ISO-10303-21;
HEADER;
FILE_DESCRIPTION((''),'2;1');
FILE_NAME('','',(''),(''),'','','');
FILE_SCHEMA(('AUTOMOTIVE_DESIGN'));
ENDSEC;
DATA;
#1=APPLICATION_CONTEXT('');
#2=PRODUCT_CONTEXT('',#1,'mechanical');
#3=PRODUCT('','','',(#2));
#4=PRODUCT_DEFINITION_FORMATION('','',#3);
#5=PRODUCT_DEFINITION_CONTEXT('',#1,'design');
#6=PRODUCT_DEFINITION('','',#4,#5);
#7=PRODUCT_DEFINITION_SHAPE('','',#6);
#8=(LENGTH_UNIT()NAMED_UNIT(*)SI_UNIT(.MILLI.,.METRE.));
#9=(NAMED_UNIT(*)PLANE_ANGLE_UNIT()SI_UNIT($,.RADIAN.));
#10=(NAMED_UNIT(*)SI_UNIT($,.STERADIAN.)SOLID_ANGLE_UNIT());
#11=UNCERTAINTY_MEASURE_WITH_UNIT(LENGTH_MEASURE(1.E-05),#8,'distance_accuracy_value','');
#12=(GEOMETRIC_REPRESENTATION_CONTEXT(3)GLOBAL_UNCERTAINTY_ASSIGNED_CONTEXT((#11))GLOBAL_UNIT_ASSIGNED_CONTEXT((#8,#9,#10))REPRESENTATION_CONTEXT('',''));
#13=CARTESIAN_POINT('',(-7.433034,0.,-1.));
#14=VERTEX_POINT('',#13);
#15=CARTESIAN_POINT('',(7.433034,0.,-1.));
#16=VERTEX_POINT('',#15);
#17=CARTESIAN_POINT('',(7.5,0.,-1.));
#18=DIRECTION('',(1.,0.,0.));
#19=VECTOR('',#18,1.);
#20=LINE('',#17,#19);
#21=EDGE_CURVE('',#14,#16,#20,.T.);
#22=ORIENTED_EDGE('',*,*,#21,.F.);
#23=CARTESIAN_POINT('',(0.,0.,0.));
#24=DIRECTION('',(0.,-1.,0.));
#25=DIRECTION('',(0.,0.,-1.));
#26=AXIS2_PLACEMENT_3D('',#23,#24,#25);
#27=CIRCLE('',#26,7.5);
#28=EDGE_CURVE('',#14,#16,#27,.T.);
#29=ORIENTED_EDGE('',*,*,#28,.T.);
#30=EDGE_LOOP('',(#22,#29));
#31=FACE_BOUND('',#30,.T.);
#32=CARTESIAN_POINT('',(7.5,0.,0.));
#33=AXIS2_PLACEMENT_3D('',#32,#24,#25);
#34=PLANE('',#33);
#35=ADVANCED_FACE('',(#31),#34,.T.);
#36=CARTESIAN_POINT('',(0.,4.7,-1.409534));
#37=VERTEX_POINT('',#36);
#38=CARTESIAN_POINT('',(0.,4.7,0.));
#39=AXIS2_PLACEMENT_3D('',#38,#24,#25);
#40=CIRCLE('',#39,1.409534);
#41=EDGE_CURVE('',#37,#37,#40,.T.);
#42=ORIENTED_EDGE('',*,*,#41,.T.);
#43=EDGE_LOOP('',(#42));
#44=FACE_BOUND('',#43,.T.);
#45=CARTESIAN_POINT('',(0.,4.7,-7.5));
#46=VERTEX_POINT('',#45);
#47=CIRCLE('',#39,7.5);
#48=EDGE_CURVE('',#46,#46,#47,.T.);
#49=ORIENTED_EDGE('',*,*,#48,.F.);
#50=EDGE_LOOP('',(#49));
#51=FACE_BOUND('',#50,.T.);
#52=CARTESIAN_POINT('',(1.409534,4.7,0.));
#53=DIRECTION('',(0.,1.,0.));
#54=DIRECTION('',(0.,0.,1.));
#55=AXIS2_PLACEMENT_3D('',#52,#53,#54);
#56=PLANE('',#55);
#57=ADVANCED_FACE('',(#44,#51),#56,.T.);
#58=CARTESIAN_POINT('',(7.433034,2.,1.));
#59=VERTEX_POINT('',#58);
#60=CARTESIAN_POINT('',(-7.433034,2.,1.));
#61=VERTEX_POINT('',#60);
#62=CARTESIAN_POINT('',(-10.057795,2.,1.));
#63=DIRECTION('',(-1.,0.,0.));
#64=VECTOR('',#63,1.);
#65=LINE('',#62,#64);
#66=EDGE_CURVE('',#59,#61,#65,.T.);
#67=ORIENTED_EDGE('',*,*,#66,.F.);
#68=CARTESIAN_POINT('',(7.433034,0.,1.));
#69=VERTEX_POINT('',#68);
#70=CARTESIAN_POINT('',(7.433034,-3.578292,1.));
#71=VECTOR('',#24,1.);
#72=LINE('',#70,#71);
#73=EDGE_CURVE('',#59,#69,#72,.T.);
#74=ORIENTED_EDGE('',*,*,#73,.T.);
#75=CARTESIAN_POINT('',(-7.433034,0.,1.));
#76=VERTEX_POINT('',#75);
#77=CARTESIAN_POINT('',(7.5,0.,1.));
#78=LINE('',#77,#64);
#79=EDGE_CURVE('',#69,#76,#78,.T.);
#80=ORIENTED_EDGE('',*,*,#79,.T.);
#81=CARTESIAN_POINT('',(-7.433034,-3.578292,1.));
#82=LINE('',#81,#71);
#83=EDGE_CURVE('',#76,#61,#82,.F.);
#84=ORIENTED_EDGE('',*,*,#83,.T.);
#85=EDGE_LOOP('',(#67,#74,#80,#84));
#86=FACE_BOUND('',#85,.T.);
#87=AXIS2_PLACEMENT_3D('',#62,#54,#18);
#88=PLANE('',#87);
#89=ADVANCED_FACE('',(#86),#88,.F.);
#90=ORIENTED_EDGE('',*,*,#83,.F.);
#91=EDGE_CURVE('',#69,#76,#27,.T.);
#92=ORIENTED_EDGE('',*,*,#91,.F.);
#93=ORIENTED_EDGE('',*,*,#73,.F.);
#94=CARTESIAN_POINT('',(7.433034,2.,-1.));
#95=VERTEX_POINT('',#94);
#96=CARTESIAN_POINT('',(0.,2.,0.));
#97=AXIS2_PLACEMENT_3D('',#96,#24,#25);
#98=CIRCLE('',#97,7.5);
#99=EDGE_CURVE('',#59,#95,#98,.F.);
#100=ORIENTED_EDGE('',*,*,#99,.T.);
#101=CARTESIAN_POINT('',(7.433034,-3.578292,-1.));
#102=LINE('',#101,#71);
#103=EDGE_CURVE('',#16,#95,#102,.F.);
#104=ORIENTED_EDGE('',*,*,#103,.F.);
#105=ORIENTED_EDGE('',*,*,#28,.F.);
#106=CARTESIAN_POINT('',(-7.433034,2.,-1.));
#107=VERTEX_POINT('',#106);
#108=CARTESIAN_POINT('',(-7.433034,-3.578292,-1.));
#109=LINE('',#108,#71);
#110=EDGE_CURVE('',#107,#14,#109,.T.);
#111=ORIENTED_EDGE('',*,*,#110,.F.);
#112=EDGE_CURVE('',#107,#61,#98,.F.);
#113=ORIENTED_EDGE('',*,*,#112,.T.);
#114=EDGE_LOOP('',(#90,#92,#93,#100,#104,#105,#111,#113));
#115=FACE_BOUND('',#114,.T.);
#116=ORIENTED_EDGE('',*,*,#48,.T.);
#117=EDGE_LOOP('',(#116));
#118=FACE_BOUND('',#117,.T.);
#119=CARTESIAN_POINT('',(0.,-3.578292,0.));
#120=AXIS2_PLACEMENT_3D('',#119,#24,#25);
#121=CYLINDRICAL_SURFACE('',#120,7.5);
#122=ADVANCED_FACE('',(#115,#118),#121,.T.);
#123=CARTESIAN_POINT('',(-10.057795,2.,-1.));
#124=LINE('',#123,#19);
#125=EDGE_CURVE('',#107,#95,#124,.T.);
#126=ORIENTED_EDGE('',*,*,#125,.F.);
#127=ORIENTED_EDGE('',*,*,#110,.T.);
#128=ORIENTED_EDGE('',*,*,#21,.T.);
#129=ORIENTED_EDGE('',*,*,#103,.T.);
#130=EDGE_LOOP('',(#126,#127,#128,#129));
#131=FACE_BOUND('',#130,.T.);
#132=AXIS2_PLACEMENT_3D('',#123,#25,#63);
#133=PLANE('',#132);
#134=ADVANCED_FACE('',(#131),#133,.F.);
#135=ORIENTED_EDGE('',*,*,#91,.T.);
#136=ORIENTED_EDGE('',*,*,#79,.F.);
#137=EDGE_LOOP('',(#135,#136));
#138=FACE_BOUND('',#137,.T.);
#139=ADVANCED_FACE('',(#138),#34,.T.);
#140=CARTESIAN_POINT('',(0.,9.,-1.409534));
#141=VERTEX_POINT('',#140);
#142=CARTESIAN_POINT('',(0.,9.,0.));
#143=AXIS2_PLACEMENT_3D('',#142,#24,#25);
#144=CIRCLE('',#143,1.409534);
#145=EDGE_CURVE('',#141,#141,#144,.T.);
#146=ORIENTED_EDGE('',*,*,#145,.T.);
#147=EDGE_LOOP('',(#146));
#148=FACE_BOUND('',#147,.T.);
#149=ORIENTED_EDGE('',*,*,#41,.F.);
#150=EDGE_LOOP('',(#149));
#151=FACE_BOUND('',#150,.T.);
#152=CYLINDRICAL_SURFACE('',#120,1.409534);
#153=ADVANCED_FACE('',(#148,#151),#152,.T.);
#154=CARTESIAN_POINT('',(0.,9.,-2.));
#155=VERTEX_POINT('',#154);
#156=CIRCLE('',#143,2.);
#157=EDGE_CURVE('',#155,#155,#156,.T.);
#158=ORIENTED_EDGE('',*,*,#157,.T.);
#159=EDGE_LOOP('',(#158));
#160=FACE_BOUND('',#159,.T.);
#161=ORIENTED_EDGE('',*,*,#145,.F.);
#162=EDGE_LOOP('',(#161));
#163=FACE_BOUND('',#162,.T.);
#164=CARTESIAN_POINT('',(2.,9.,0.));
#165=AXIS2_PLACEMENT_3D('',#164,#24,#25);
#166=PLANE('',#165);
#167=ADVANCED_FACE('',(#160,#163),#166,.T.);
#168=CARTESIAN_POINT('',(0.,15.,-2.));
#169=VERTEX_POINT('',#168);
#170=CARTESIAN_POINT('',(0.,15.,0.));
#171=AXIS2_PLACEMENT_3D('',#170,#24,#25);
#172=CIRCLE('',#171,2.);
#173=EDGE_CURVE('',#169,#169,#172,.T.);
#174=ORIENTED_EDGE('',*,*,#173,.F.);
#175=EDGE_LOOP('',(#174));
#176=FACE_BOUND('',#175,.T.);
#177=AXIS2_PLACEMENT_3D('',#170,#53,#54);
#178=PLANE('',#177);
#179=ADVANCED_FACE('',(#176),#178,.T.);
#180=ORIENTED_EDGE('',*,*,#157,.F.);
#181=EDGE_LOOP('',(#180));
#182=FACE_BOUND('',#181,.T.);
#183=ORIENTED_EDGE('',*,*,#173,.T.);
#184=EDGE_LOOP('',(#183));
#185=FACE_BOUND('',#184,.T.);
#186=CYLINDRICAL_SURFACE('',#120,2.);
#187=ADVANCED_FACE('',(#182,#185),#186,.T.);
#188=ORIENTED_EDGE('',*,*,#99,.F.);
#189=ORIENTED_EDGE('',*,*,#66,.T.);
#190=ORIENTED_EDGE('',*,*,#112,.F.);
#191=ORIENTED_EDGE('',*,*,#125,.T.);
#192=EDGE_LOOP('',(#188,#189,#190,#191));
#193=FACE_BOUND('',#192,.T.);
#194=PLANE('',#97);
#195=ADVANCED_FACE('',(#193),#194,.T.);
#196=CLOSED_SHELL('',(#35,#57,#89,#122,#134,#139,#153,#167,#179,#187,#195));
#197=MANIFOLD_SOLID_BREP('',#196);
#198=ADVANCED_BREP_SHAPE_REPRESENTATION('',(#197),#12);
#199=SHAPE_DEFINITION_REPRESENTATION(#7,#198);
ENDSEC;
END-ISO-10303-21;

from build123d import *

# Parameters (mm, degrees)
SCHIZZO2_W               = 20.11559051
SCHIZZO2_H               = 2
TAGLIO_ESTRUSIONE1_DEPTH = 2


with BuildPart() as part:
    # Schizzo1 → Rivoluzione1 (revolve)
    with BuildSketch(Plane.XY):
        Polygon((0, 15), (2, 15), (2, 9), (1.409533837, 9), (1.409533837, 4.7), (7.5, 4.7), (7.5, 0), (0, 0), align=None)
    revolve(axis=Axis((0, -3.578292252, 0), (0, 1, 0)))

    # Schizzo2 → Taglio-Estrusione1 (cut)
    with BuildSketch(Plane.XZ):
        Rectangle(SCHIZZO2_W, SCHIZZO2_H)
    extrude(amount=-TAGLIO_ESTRUSIONE1_DEPTH, mode=Mode.SUBTRACT)


solid = part.part
